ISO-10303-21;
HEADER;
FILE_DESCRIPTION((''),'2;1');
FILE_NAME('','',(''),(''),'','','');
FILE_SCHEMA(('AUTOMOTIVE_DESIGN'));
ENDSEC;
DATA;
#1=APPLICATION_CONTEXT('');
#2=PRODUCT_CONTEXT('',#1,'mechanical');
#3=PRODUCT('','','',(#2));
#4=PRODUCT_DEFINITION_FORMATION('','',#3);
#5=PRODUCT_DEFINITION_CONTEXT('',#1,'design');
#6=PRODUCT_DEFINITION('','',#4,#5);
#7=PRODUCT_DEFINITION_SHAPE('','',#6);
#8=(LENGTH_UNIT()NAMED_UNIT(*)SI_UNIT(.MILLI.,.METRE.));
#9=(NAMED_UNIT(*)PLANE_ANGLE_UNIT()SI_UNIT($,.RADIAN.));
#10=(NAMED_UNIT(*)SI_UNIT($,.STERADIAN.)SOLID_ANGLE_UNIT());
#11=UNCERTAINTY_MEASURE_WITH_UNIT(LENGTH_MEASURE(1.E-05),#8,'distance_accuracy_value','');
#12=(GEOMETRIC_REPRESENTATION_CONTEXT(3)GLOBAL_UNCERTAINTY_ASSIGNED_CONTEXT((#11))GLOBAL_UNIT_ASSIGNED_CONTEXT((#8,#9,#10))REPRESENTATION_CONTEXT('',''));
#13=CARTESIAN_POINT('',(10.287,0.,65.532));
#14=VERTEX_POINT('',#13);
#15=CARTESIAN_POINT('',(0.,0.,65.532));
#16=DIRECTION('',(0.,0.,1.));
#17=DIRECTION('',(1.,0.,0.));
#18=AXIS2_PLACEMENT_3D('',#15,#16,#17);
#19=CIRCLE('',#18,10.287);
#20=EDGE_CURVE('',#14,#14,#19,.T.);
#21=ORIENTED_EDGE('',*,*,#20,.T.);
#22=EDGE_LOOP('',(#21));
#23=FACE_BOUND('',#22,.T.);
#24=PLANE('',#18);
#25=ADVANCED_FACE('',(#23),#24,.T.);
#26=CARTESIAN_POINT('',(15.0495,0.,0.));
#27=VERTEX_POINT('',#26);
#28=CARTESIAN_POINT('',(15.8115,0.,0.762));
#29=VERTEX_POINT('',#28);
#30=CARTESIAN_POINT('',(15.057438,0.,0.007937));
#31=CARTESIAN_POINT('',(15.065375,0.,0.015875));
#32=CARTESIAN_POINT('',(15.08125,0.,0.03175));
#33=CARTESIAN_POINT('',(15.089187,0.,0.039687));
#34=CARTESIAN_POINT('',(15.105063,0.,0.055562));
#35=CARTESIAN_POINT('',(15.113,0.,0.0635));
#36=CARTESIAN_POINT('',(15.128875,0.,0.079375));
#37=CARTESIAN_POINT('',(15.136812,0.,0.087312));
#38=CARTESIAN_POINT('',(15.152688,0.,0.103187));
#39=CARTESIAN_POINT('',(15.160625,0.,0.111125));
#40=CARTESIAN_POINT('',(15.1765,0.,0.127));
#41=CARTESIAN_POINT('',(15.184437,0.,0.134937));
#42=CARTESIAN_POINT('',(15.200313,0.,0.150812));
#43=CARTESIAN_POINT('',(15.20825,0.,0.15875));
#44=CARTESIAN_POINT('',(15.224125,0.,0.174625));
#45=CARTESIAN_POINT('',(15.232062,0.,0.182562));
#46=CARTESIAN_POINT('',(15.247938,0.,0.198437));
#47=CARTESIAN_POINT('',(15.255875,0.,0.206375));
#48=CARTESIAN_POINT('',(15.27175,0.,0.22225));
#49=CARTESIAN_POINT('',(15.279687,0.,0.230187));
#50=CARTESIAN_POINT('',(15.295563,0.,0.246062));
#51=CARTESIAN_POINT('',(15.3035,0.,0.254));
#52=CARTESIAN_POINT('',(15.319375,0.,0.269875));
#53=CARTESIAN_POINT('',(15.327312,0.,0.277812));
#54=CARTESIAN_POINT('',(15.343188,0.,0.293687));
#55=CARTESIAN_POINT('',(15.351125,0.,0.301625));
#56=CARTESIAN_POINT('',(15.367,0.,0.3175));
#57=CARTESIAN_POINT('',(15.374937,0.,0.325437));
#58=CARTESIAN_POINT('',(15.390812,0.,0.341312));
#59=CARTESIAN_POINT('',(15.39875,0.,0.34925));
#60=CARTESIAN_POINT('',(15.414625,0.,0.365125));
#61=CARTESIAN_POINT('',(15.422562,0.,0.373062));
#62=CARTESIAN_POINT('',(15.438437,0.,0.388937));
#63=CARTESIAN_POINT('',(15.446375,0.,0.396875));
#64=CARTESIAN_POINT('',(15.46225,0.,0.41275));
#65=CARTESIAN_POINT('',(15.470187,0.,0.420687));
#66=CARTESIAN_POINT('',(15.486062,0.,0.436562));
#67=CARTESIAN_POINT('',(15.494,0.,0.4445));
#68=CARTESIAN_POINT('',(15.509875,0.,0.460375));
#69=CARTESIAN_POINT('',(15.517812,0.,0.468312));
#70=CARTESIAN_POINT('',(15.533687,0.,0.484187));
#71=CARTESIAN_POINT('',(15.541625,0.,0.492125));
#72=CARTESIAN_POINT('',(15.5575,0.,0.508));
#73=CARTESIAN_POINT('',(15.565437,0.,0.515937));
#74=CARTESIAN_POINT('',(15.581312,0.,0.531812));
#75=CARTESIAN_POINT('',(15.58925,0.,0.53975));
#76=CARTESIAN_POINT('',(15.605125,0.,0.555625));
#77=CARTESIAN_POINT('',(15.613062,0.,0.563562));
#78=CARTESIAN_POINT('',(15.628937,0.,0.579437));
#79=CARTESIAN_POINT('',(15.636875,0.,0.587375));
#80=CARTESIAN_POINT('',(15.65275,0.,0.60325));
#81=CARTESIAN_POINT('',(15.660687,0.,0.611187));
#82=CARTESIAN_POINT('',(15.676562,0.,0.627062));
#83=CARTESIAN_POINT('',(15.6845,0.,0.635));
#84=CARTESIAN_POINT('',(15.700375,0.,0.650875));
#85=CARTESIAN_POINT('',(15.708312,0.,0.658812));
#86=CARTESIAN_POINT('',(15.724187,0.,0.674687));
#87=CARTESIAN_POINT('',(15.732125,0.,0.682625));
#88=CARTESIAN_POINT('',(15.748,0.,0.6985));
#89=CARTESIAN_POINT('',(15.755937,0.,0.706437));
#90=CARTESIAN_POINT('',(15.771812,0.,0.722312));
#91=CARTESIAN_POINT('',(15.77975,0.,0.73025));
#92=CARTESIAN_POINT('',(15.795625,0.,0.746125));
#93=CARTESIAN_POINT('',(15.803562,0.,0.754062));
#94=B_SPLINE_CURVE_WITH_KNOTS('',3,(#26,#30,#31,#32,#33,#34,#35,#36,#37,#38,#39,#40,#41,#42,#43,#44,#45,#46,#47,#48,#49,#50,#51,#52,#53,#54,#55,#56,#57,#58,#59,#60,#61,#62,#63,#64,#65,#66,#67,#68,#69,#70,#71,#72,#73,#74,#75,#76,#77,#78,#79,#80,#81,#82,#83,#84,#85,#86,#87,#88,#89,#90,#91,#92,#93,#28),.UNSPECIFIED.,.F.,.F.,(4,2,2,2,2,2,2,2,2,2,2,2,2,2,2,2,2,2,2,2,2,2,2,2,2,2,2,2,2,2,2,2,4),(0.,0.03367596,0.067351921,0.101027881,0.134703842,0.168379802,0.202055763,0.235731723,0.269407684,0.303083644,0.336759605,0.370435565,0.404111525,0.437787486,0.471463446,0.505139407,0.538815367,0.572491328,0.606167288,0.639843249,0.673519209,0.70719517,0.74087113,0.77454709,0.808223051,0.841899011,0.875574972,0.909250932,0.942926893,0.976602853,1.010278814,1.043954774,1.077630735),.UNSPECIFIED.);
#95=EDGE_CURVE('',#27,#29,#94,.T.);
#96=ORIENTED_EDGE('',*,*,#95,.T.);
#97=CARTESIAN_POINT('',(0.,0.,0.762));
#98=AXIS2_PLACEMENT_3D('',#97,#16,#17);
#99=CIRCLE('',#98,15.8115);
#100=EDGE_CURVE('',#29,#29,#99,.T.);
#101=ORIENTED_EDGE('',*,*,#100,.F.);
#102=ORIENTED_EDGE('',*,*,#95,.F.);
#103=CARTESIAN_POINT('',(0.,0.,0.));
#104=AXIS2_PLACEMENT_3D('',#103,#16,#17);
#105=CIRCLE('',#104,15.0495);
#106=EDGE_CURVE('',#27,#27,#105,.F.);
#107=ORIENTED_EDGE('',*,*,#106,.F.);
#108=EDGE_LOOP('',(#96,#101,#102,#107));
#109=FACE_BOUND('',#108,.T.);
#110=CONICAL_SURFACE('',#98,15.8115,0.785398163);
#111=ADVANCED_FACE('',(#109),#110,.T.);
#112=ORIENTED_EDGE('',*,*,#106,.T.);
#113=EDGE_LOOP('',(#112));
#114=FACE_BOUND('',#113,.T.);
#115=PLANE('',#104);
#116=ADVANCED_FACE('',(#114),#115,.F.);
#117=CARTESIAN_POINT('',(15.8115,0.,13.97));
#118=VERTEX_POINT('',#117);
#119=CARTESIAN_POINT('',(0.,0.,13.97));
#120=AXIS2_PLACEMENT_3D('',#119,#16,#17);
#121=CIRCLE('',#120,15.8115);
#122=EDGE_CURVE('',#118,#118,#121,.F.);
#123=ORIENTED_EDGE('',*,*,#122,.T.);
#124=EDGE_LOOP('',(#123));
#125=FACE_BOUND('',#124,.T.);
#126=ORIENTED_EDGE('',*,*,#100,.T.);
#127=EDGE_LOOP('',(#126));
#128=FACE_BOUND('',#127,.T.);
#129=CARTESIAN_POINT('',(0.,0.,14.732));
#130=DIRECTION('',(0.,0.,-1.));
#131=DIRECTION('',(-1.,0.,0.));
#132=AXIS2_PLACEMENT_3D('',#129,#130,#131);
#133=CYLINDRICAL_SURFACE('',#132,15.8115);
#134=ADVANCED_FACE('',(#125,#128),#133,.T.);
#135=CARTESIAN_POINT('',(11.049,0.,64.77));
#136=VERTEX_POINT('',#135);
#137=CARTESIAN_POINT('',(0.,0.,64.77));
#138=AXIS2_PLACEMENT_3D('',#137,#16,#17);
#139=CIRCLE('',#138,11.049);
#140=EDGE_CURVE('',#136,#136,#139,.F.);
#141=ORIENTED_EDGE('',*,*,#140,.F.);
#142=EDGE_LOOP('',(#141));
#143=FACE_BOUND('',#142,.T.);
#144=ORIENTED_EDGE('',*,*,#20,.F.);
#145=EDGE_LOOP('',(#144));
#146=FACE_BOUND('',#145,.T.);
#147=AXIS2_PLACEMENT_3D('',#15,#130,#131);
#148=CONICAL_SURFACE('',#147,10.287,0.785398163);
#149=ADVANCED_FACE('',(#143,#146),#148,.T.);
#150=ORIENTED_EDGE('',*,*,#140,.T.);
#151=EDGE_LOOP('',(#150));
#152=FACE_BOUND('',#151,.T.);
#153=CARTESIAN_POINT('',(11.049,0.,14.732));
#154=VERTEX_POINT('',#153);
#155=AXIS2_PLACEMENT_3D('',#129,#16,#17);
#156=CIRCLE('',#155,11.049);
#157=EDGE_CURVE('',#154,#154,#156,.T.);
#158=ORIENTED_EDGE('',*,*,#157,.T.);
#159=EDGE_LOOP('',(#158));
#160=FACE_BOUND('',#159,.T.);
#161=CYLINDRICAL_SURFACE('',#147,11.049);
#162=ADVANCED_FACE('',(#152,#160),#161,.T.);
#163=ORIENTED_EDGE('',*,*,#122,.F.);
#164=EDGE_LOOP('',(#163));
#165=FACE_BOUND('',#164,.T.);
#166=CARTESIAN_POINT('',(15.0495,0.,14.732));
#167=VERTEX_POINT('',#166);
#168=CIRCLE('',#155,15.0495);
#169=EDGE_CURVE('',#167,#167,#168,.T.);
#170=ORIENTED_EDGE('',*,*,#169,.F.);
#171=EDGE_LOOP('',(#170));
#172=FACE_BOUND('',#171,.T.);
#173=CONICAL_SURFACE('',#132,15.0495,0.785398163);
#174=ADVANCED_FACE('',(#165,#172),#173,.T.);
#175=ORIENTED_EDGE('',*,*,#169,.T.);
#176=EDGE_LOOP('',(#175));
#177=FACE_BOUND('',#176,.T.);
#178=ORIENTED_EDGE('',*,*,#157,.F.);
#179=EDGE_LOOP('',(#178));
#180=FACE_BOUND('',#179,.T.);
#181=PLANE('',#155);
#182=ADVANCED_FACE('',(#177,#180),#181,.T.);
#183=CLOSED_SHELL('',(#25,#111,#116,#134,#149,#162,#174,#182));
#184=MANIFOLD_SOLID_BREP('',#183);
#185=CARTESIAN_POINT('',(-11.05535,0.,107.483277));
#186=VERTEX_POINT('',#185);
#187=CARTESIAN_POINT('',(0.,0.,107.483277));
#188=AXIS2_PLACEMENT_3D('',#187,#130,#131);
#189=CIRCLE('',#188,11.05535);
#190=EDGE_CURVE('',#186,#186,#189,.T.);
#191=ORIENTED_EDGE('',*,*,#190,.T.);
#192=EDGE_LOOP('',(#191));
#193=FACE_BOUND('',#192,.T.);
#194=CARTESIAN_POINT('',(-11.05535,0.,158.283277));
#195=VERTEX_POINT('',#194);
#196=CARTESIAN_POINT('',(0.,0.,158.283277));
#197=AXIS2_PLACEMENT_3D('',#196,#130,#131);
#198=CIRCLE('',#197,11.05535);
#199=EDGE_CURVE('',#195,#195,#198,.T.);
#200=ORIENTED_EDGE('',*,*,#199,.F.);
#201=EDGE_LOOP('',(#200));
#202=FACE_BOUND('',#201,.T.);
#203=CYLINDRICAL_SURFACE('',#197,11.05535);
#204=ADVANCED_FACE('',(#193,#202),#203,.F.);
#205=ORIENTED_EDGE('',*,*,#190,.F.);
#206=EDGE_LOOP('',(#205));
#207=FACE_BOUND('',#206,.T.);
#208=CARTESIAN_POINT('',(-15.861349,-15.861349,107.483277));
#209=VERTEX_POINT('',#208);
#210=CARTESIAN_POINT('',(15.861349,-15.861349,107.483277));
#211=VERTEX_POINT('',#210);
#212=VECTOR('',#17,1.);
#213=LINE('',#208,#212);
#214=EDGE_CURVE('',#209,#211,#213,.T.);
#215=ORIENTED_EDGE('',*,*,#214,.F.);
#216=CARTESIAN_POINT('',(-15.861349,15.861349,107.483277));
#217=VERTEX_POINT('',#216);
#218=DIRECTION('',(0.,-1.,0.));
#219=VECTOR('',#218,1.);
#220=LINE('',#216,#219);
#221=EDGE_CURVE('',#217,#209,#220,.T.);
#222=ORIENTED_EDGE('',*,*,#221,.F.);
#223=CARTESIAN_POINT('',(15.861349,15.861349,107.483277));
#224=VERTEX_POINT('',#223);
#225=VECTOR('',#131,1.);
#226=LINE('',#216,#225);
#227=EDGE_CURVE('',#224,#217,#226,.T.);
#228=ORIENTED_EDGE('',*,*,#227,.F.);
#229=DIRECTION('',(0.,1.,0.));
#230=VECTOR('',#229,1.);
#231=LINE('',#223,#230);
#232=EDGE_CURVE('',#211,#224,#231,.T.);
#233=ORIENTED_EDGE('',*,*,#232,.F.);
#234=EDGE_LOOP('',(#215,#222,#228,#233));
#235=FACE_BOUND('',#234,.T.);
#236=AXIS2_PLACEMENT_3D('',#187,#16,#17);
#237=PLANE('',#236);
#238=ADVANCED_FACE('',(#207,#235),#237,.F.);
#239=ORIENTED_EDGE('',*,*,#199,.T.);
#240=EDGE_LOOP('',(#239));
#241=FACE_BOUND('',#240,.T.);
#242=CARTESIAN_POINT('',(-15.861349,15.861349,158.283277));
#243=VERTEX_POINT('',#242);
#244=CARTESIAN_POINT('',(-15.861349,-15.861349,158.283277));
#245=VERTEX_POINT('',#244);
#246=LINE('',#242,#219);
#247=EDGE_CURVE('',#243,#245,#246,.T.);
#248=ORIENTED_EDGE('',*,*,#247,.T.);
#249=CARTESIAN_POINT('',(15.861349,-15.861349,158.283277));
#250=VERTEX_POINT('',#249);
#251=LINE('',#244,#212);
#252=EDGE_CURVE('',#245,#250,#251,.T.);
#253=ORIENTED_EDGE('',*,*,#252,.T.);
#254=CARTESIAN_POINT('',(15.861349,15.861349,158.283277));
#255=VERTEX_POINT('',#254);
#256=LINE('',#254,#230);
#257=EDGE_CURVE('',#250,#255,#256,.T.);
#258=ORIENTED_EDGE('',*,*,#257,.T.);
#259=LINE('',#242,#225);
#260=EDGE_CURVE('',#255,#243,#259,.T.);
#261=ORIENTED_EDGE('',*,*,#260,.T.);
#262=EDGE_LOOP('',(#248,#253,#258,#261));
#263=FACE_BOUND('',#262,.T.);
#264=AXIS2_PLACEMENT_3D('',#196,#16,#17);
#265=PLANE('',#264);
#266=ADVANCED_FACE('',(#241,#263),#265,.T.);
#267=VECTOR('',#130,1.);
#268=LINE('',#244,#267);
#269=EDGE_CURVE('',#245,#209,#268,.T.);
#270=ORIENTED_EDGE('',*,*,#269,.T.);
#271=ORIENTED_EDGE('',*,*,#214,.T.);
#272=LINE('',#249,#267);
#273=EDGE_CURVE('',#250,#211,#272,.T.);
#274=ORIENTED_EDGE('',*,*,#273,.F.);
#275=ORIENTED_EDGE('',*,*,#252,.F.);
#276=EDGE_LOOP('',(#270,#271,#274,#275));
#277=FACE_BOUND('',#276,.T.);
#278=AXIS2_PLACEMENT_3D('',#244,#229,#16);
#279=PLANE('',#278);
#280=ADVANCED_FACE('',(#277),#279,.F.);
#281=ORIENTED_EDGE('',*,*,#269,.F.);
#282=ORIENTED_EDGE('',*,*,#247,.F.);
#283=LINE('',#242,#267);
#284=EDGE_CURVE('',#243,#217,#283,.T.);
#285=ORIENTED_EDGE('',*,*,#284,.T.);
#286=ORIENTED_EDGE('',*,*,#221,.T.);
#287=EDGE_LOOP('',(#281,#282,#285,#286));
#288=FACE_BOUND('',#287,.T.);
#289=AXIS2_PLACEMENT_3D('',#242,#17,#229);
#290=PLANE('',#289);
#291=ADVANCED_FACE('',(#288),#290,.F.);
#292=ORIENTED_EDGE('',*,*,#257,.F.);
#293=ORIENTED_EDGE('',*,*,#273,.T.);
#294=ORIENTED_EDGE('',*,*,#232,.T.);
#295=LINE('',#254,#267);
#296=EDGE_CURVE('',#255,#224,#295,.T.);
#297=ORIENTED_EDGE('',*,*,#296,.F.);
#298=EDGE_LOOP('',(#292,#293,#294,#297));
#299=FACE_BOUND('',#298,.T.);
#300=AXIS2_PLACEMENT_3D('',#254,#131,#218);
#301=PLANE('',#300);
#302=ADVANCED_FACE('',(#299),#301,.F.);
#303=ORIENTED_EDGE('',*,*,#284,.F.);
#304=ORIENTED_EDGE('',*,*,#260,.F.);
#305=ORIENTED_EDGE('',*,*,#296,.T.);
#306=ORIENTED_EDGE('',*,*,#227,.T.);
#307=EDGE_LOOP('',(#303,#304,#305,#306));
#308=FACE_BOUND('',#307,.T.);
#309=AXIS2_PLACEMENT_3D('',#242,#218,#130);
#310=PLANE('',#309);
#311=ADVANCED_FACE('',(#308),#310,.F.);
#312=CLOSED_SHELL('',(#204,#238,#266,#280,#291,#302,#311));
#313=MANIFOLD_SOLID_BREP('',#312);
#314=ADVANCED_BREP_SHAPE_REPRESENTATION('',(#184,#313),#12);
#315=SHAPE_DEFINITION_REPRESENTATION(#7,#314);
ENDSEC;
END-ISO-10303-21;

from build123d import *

# Parameters (mm, degrees)
SKETCH1_R           = 15.8115
BOSS_EXTRUDE1_DEPTH = 14.732
SKETCH2_R           = 11.049
BOSS_EXTRUDE2_DEPTH = 50.8
SKETCH3_W           = 31.722698392
SKETCH3_H           = 31.722698392
BOSS_EXTRUDE3_DEPTH = 50.8
SKETCH4_R           = 11.05535
CUT_EXTRUDE1_DEPTH  = 110.798996017
CHAMFER1_SIZE       = 0.762


with BuildPart() as part:
    # Sketch1 → Boss-Extrude1 (new body)
    with BuildSketch(Plane.XY):
        Circle(SKETCH1_R)
    extrude(amount=BOSS_EXTRUDE1_DEPTH)

    # Sketch2 → Boss-Extrude2 (add)
    with BuildSketch(Plane.XY.offset(14.732)):
        Circle(SKETCH2_R)
    extrude(amount=BOSS_EXTRUDE2_DEPTH)

    # Chamfer1
    chamfer1_edges = [part.edges().sort_by_distance(p)[0] for p in [
        (-15.8115, 0, 0),
        (-15.8115, 0, 14.732),
        (-11.049, 0, 65.532),
    ]]
    chamfer(chamfer1_edges, length=CHAMFER1_SIZE)


with BuildPart() as body_2:
    # Sketch3 → Boss-Extrude3 (new body)
    with BuildSketch(Plane.XY.offset(107.483276511)):
        Rectangle(SKETCH3_W, SKETCH3_H)
    extrude(amount=BOSS_EXTRUDE3_DEPTH)

    # Sketch4 → Cut-Extrude1 (cut, through all)
    with BuildSketch(Plane(origin=(0, 0, 107.483276511), x_dir=(-1, 0, 0), z_dir=(0, 0, -1))):
        Circle(SKETCH4_R)
    extrude(amount=-CUT_EXTRUDE1_DEPTH, mode=Mode.SUBTRACT)


solid = Compound([part.part, body_2.part])
